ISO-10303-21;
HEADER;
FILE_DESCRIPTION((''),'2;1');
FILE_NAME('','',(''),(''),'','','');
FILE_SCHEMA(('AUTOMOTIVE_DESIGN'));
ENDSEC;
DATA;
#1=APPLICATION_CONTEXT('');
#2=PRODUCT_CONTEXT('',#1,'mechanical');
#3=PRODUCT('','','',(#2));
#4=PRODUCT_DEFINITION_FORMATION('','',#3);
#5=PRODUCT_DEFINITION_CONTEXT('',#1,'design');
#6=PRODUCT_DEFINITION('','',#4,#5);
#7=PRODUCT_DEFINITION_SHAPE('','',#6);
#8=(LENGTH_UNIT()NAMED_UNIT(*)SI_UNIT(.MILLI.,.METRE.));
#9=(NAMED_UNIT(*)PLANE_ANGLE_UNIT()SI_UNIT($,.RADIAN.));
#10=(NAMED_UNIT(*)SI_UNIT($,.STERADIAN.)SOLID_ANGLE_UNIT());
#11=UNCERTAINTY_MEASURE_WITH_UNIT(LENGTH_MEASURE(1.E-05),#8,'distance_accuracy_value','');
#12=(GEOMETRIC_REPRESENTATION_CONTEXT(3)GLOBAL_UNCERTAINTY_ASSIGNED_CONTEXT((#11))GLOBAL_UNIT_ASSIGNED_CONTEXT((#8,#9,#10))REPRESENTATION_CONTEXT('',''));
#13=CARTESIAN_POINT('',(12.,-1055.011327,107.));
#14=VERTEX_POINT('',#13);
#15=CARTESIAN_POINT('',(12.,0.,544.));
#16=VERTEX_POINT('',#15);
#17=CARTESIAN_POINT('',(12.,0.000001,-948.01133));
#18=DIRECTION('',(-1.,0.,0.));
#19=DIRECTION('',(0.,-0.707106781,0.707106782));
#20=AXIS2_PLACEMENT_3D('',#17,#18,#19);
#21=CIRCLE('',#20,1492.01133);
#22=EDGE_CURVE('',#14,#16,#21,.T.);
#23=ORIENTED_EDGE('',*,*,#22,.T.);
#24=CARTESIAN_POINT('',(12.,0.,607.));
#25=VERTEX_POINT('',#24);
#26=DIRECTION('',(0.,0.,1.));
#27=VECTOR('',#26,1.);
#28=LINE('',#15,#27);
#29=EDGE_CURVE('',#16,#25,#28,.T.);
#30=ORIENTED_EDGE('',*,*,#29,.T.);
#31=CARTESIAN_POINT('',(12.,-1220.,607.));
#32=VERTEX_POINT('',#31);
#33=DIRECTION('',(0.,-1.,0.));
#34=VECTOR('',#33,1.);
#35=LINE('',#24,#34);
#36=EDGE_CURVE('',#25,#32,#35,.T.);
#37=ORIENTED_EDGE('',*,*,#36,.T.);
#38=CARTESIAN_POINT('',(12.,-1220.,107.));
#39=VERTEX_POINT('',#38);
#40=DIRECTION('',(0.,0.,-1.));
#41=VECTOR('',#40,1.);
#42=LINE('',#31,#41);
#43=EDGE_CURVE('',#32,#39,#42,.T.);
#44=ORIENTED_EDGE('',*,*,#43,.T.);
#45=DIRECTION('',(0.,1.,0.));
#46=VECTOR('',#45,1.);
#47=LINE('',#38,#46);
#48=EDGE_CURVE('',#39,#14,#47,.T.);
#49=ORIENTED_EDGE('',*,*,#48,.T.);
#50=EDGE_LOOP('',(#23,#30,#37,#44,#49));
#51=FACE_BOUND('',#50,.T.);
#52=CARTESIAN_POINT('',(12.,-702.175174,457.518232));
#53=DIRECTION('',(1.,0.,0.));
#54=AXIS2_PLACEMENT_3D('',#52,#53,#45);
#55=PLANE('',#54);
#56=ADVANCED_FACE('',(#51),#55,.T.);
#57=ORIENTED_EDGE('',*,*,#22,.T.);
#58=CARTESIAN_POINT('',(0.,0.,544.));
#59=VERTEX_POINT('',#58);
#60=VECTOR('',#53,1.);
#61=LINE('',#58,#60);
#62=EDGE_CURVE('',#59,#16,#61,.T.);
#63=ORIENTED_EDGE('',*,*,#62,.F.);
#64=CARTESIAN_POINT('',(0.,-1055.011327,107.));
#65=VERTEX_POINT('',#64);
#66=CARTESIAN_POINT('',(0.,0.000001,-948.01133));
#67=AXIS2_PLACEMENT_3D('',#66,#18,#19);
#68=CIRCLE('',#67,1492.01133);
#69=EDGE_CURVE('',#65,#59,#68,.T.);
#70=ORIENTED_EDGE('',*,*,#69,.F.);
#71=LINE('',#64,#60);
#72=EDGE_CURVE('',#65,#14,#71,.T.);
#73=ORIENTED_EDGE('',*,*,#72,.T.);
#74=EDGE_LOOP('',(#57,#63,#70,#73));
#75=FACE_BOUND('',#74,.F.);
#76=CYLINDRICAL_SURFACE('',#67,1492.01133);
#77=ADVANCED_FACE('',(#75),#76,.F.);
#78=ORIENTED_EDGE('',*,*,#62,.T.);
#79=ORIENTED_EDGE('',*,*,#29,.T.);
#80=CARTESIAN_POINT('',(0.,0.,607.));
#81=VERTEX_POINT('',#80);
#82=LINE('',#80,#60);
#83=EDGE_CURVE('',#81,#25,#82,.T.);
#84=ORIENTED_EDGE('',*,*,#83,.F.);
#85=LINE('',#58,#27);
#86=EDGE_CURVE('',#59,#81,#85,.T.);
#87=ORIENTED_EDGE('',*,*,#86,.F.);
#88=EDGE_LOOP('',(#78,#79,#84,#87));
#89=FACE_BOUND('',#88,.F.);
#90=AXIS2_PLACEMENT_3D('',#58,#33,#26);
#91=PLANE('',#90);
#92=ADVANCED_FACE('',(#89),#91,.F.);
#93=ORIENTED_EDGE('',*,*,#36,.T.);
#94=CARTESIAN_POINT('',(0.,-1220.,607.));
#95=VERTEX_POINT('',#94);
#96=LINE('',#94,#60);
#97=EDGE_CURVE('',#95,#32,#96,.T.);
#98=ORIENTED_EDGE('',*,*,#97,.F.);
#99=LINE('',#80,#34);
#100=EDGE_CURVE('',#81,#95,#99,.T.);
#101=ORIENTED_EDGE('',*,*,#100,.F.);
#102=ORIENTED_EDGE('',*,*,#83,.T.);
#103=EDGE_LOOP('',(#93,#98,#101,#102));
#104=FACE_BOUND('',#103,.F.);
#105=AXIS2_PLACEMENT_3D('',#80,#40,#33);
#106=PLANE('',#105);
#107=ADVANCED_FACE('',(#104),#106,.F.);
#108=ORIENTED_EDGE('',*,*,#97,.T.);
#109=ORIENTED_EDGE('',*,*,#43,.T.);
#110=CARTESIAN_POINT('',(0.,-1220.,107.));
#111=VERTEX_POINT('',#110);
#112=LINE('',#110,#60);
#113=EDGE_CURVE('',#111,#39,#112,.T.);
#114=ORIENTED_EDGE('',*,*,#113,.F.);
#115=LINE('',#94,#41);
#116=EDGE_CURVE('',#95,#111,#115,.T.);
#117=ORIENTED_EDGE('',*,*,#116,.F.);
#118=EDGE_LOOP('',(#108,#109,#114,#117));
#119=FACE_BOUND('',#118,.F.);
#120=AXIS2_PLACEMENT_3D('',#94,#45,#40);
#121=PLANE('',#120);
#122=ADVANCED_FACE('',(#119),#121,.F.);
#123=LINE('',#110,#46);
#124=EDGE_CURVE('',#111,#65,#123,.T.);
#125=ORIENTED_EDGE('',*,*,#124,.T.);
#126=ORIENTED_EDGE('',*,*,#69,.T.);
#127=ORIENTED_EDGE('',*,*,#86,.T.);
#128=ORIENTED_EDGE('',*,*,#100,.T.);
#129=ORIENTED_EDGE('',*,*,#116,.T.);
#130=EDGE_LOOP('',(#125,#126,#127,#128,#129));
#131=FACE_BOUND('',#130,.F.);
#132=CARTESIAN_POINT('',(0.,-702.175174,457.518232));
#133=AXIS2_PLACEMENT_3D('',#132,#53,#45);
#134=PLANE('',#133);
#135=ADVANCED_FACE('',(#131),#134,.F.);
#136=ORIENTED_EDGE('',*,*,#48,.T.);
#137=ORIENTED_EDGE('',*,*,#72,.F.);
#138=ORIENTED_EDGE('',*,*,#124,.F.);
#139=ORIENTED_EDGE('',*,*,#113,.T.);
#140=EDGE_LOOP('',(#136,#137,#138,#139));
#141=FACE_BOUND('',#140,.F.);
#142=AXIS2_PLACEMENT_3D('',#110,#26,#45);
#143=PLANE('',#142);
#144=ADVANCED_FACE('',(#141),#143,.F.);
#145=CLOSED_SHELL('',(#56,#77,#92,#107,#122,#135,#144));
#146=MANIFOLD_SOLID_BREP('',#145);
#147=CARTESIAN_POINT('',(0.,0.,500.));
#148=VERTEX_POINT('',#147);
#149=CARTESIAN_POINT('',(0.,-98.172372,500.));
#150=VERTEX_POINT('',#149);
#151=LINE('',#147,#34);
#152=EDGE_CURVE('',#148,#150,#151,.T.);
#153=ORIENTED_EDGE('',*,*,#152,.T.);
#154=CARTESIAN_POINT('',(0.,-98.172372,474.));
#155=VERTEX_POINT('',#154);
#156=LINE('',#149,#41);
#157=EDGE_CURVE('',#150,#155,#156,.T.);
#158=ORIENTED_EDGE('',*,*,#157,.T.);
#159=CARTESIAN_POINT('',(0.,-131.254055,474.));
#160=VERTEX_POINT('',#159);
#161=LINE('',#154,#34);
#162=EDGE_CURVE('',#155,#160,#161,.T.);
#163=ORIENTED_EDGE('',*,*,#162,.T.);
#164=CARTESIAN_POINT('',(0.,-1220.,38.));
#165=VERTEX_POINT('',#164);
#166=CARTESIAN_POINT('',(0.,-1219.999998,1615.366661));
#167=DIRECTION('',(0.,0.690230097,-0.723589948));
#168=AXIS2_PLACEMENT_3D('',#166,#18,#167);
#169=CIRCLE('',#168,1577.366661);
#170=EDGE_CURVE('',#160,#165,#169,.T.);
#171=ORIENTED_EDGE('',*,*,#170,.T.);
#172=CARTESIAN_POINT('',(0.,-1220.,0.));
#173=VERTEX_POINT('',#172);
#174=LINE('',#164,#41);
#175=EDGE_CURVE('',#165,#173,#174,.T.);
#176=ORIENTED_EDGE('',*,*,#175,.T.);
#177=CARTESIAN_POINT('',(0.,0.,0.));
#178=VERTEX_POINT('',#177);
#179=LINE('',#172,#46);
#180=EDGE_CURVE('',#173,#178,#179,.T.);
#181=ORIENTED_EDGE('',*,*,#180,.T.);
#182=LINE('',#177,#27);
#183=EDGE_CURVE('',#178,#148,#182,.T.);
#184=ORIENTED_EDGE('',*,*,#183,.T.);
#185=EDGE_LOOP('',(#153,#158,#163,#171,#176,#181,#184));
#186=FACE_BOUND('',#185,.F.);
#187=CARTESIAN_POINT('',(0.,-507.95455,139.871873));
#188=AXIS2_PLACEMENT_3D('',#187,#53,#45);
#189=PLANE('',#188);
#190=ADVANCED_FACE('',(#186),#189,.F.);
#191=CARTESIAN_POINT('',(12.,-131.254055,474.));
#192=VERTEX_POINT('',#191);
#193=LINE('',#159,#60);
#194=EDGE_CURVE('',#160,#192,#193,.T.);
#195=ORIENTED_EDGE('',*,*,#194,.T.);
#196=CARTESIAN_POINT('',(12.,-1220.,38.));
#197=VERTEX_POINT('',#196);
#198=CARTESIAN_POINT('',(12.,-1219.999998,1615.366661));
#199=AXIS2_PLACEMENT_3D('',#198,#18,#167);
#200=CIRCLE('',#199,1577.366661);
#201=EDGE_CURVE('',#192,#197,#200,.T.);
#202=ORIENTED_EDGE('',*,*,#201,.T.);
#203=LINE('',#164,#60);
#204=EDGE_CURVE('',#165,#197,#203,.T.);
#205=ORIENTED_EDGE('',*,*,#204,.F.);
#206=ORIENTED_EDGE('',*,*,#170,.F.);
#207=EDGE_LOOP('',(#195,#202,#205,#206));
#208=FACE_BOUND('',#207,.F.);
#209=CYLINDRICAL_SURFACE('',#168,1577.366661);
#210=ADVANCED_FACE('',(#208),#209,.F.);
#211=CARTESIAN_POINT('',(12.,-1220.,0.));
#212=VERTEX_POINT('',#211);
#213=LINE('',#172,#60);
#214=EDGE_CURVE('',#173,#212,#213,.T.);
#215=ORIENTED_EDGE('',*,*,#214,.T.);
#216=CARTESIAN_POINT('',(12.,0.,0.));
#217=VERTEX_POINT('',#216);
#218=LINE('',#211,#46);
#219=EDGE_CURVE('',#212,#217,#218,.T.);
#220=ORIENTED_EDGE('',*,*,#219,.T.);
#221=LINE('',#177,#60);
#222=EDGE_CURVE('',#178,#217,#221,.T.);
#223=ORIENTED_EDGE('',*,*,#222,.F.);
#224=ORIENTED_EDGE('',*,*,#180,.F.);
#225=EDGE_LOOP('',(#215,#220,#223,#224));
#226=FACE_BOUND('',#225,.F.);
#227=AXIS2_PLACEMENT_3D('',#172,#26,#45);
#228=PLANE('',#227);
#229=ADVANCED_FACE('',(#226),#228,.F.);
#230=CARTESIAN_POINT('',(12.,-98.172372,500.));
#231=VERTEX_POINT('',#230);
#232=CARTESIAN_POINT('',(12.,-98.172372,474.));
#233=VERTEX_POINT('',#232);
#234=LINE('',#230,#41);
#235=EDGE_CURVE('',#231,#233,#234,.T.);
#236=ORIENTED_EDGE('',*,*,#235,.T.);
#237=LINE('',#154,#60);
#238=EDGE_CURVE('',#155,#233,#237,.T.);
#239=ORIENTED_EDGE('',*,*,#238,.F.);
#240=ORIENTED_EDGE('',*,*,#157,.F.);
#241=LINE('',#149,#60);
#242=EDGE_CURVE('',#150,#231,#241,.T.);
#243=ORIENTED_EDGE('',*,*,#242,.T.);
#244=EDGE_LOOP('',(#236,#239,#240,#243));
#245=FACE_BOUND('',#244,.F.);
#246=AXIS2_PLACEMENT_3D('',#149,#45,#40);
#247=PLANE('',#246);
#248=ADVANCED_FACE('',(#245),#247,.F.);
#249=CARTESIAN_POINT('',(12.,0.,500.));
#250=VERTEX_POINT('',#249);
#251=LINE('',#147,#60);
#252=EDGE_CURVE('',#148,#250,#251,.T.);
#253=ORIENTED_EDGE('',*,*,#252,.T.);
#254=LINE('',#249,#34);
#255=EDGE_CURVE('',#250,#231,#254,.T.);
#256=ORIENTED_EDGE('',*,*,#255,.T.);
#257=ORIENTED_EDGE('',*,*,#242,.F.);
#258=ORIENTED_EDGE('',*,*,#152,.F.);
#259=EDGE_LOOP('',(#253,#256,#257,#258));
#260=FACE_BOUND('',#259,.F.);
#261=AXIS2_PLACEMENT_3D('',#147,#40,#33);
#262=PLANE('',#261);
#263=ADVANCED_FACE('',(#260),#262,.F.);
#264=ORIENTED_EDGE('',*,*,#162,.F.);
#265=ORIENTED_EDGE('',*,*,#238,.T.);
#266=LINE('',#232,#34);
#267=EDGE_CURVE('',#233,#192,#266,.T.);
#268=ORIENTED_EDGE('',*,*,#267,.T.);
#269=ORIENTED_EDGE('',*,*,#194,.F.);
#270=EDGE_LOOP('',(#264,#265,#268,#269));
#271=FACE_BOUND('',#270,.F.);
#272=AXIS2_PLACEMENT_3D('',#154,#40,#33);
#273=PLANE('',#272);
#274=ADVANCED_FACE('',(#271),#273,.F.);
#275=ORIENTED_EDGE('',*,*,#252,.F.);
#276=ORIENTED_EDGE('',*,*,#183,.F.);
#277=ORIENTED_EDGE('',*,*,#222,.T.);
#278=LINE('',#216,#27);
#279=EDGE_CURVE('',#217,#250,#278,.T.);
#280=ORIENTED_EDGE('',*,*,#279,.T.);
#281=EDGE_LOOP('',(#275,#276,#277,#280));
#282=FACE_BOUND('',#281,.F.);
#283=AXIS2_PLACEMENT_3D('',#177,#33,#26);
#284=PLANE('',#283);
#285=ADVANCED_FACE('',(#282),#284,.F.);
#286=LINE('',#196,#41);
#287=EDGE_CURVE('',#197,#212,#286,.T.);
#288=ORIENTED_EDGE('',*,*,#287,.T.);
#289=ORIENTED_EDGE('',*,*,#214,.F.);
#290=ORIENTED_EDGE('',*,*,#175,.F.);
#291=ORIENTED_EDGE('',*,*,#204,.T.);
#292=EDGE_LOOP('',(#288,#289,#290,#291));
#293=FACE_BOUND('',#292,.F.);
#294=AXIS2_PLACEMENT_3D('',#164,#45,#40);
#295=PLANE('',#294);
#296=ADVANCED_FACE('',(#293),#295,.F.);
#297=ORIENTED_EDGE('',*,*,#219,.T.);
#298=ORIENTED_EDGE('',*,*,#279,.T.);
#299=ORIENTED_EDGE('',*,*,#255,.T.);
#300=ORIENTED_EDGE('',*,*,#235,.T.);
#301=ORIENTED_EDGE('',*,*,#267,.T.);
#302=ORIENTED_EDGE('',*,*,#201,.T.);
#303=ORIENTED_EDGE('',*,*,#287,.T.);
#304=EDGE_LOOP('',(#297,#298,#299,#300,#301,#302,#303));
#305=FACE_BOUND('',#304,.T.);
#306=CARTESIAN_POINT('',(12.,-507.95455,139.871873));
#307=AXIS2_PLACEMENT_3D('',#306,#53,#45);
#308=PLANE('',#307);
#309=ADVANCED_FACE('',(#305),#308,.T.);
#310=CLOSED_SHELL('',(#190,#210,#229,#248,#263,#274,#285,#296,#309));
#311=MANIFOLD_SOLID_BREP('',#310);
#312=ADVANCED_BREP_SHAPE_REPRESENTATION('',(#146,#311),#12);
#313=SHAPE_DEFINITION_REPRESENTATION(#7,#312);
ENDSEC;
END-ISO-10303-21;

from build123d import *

# Parameters (mm, degrees)
F1_DEPTH = 12


with BuildPart() as f1:
    # F0 (on Right) → F1 (new body)
    with BuildSketch(Plane.YZ):
        with BuildLine():
            Line((-1104.633334, 0), (0, 0))
            Line((0, 0), (0, 500))
            Line((0, 500), (-98.172372, 500))
            Line((-98.172372, 500), (-98.172372, 474))
            Line((-98.172372, 474), (-131.254055, 474))
            ThreePointArc((-131.254055, 474), (-633.59917, 151.05124), (-1220, 38))
            Line((-1220, 38), (-1220, 0))
            Line((-1220, 0), (-1104.633334, 0))
        make_face()
        with BuildLine():
            Line((0, 544), (0, 607))
            Line((0, 607), (-1220, 607))
            Line((-1220, 607), (-1220, 107))
            Line((-1220, 107), (-1055.011327, 107))
            ThreePointArc((-1055.011327, 107), (-570.968016, 430.4274), (0, 544))
        make_face()
    extrude(amount=F1_DEPTH)


solid = f1.part
